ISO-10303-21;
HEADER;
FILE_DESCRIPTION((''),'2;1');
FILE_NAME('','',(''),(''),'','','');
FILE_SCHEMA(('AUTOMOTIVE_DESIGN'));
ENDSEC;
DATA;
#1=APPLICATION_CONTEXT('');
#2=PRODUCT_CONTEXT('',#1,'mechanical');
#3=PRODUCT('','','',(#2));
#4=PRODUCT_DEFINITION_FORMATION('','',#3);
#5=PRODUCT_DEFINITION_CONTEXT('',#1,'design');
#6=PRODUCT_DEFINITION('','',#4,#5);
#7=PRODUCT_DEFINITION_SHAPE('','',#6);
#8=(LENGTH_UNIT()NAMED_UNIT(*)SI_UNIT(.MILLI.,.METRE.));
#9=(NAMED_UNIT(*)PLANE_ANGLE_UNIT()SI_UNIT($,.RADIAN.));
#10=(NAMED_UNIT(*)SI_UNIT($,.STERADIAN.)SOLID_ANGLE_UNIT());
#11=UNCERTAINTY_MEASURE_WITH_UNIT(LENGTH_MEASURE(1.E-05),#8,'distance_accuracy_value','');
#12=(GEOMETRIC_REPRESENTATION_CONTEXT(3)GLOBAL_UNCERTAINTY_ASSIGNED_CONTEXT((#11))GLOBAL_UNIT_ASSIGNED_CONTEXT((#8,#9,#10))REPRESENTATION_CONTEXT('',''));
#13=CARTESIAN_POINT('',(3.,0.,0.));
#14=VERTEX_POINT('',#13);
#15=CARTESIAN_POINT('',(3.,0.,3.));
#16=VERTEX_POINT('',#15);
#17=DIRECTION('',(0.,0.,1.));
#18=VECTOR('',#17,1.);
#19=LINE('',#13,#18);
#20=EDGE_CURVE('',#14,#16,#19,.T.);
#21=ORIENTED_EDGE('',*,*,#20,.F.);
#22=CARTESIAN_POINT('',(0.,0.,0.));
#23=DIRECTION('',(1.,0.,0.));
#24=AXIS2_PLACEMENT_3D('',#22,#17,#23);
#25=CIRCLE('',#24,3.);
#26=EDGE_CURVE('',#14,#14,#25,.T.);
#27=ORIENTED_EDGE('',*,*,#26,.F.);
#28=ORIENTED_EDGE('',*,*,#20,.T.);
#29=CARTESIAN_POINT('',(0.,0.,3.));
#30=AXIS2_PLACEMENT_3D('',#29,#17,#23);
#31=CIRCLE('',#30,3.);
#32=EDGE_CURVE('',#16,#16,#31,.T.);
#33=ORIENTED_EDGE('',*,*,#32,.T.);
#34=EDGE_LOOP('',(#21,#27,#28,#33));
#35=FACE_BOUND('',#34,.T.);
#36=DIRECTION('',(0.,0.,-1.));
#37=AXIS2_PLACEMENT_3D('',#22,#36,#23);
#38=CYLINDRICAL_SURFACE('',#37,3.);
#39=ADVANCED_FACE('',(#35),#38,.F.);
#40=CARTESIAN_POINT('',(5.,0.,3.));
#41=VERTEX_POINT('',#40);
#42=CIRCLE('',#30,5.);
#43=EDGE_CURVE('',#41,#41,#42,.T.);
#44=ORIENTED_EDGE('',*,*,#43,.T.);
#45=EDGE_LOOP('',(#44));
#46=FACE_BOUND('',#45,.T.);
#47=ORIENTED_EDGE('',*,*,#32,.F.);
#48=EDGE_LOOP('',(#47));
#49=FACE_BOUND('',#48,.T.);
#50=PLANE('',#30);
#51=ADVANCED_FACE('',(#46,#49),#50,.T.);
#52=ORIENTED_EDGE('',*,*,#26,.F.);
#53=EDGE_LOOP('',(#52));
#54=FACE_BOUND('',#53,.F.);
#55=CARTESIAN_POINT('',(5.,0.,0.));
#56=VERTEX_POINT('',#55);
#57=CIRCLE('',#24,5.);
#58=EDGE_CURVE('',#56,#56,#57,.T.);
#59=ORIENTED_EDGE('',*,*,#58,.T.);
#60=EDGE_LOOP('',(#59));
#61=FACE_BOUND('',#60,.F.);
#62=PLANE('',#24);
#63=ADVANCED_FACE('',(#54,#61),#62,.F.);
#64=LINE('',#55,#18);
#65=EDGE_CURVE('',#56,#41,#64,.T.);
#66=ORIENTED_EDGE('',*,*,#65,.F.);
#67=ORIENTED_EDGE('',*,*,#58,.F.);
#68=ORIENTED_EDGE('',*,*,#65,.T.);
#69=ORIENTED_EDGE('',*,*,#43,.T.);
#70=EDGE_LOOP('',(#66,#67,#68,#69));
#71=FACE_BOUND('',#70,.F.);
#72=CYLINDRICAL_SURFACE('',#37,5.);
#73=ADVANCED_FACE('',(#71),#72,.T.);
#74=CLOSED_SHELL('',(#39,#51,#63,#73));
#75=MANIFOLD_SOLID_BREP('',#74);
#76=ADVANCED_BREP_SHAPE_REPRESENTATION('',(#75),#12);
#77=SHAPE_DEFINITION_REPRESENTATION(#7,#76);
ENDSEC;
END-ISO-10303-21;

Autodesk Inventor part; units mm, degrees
ref_plane "YZ Plane" through (0, 0, 0) normal (1, 0, 0) x (0, 1, 0)
ref_plane "XZ Plane" through (0, 0, 0) normal (0, 1, 0) x (-1, 0, 0)
ref_plane "XY Plane" through (0, 0, 0) normal (0, 0, 1) x (1, 0, 0)
sketch "Skizze1" plane through (0, 0, 0) normal (0, 0, 1) x (1, 0, 0)
  circle A0 centre (0, 0) radius 3
  circle A1 centre (0, 0) radius 5
  dimension "d0" = 6
  dimension "d1" = 10
extrude "Extrusion1" add sketch "Skizze1" along normal blind 3
properties part number "mr106 lager dummy"
